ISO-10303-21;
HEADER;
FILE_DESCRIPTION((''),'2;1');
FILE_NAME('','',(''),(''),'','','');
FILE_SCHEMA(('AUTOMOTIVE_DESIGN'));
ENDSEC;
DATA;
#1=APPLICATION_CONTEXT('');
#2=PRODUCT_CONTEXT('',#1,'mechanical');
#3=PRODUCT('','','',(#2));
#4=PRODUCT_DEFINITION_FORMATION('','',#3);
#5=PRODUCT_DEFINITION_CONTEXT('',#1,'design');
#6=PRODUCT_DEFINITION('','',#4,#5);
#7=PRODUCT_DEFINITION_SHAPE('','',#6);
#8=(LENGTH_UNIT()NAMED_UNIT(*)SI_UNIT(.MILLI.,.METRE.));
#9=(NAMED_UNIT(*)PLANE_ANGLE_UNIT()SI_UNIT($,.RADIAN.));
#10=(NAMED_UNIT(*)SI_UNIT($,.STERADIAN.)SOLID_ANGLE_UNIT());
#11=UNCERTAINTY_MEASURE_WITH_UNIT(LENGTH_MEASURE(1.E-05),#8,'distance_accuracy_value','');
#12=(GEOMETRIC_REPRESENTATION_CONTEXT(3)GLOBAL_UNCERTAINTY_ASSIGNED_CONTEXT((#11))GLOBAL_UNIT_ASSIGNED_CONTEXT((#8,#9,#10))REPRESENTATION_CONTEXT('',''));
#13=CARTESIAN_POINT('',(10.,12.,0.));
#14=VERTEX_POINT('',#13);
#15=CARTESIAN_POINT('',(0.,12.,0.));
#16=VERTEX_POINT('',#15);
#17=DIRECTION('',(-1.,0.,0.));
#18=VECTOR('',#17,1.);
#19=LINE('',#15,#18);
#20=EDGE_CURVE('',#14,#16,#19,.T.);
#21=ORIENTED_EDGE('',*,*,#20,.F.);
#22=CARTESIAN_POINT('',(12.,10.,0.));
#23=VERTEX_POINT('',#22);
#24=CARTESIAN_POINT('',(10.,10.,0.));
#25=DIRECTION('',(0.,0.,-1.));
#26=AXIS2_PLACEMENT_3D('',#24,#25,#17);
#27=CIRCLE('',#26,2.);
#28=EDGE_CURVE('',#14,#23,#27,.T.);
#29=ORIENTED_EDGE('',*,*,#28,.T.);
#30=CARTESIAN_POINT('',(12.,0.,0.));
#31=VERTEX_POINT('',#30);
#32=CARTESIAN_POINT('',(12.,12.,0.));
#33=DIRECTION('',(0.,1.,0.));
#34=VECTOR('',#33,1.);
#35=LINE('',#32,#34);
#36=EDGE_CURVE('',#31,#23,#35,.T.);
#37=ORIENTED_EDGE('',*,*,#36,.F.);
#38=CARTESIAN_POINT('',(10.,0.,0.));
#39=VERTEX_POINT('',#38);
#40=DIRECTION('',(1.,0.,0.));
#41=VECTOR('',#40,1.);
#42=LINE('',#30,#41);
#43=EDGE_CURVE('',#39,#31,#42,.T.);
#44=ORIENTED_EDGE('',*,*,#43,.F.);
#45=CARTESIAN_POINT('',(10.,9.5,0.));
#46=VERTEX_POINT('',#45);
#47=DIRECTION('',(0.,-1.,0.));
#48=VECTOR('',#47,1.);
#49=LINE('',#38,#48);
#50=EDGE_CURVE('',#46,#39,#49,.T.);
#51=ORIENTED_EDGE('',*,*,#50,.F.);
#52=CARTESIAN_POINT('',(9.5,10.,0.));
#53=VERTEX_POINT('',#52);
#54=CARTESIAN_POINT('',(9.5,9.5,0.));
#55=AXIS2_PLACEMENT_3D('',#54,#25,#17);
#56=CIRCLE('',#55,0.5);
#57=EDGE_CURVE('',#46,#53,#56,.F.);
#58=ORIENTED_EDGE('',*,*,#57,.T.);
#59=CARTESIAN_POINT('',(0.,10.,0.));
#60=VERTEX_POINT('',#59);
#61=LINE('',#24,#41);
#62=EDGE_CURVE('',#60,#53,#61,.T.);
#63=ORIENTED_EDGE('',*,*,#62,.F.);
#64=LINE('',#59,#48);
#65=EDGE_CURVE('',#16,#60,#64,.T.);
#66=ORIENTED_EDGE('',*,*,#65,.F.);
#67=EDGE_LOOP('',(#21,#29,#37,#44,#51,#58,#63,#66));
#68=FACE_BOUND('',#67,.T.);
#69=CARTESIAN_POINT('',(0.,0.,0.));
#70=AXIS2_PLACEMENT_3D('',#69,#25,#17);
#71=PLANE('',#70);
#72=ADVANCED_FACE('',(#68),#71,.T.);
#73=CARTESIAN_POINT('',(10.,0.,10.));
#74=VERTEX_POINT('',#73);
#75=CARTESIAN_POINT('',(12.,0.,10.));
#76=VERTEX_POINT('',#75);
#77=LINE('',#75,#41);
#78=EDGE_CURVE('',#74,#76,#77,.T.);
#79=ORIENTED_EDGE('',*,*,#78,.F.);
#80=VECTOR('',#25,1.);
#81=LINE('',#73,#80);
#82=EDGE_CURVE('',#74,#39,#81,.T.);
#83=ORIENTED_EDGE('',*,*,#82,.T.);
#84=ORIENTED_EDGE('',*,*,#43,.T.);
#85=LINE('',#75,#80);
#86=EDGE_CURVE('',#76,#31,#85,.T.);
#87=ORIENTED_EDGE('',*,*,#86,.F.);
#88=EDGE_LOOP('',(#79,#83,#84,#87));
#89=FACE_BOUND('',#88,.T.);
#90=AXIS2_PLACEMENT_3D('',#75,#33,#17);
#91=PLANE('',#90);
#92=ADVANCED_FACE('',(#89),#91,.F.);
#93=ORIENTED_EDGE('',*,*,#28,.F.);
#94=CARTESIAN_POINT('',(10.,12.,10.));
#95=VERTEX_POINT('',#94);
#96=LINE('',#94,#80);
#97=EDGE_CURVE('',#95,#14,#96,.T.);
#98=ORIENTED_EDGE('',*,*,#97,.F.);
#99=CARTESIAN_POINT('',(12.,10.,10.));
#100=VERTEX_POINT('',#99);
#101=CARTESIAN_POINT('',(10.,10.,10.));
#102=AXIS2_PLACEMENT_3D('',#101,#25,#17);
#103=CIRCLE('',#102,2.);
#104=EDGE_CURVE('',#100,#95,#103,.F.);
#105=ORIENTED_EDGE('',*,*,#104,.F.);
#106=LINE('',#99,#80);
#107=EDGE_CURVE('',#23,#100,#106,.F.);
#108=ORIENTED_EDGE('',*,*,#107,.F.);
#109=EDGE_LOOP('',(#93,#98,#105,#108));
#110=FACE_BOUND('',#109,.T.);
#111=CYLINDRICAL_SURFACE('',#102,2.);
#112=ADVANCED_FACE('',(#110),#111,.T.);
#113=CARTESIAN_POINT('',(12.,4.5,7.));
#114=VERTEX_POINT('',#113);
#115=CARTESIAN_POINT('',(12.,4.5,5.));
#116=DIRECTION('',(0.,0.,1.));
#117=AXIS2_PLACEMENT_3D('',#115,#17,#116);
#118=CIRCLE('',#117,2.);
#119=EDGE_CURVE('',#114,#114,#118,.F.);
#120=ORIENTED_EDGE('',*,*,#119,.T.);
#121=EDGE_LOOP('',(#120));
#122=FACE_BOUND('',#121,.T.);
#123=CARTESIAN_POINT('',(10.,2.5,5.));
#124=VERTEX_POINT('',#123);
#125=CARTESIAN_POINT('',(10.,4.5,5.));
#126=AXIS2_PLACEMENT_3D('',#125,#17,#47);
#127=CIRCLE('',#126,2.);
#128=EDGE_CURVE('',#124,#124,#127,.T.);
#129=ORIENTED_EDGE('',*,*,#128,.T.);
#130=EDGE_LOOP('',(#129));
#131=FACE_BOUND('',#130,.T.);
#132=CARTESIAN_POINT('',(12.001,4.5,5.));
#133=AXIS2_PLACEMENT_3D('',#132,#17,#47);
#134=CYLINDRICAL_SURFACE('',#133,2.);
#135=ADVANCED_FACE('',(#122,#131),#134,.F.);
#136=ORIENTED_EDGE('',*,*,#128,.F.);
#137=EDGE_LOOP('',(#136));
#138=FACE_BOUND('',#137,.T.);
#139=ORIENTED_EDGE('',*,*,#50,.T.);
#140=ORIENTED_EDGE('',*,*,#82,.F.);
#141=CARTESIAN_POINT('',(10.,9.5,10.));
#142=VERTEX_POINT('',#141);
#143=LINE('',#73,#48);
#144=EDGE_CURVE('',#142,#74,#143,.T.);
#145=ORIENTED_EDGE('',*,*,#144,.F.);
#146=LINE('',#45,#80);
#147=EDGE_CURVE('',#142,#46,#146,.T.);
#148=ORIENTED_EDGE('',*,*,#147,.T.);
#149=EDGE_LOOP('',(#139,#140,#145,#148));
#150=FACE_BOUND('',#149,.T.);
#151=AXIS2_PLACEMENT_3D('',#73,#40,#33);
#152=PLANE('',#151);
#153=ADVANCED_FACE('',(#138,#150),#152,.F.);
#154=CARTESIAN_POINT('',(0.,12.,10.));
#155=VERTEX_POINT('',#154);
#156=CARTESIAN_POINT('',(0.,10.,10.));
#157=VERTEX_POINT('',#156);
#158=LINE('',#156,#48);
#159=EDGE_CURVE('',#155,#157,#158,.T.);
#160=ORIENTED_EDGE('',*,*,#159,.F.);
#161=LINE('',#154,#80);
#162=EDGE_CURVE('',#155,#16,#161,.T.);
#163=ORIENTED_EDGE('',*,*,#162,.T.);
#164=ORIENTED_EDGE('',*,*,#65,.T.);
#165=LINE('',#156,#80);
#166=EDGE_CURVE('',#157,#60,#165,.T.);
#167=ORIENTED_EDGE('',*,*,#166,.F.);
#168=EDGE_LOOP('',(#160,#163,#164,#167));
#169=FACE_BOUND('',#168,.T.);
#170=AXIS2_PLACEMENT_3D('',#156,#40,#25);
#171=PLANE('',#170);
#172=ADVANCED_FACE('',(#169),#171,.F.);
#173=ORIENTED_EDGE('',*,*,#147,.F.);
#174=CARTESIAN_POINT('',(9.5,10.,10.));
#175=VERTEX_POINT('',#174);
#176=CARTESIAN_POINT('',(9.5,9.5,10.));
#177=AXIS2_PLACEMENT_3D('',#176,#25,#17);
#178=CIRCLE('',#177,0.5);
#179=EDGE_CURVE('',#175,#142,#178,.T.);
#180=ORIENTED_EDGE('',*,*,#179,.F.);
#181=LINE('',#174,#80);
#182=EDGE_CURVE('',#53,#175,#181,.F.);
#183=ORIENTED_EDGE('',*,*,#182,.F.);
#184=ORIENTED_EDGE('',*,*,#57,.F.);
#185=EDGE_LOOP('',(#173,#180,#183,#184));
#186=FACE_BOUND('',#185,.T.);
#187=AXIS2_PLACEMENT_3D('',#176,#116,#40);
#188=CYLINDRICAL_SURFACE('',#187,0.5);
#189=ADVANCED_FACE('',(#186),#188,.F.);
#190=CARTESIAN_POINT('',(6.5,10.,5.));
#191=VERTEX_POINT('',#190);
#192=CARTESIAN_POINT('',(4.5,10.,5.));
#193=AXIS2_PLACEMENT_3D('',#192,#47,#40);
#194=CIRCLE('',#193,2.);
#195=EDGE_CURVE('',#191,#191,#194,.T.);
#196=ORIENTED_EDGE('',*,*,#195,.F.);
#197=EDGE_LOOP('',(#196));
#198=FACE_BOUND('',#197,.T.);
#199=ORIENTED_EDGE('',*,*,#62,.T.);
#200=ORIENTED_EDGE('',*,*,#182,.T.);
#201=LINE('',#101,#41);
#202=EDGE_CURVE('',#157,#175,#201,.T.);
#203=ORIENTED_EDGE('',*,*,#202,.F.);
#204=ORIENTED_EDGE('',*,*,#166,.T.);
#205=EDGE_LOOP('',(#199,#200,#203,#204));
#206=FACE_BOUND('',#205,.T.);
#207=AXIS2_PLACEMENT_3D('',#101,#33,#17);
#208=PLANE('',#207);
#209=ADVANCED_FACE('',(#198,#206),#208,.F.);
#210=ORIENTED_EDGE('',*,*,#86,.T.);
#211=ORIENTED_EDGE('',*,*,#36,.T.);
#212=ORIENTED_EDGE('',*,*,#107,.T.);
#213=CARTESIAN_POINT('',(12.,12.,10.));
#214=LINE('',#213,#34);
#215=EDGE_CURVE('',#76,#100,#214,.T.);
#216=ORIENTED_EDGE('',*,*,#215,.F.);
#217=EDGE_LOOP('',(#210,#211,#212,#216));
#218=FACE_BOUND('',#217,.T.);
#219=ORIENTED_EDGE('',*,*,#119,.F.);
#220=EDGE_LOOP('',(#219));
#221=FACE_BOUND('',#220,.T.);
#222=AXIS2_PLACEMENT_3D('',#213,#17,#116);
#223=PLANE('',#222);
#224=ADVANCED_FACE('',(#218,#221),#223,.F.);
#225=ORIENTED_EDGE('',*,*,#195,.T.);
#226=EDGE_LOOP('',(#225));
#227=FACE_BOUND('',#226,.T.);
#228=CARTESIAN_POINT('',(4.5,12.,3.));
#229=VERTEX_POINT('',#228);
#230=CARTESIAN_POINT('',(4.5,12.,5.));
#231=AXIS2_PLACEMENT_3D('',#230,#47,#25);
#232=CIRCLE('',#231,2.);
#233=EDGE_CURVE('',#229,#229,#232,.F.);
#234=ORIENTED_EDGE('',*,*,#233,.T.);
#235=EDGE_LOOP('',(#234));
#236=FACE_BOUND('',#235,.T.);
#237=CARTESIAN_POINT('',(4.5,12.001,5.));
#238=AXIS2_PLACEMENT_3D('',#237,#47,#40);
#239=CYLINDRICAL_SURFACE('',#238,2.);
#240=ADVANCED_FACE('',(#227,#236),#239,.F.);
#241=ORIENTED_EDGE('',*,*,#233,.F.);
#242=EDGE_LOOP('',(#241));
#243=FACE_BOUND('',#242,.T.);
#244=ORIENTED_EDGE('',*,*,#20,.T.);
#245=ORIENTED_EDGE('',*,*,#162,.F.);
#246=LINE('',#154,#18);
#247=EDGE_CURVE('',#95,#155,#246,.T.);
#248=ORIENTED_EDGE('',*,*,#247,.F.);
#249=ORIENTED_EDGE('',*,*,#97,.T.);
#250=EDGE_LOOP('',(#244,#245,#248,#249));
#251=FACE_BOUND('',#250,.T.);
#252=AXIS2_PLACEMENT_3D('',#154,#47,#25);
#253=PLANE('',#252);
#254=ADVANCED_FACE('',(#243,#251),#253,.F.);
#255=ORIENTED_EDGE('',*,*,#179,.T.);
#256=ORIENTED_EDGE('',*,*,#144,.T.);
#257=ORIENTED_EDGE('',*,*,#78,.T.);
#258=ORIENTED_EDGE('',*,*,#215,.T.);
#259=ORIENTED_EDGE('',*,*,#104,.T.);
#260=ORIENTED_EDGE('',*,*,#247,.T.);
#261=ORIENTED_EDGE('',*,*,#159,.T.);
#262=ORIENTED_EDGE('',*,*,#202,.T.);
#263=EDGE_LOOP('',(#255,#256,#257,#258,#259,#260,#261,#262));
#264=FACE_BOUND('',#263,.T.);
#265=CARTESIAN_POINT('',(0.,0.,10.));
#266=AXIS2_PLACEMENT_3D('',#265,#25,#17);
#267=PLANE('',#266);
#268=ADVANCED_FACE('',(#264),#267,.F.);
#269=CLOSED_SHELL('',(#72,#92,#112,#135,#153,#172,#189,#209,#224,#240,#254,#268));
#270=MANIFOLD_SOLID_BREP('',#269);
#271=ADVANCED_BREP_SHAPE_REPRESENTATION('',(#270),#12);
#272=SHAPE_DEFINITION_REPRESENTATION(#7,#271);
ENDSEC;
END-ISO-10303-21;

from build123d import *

# Parameters (mm, degrees)
BOSS_EXTRU_2_DEPTH      = 10
ENL_V_MAT_EXTRU_1_REACH = 20.547
ESQUISSE3_R             = 2
ENL_V_MAT_EXTRU_2_REACH = 20.547
ESQUISSE4_R             = 2
CONG_1_R                = 2
CONG_2_R                = 0.5


with BuildPart() as part:
    # Esquisse2 → Boss.-Extru.2 (new body)
    with BuildSketch(Plane.XY):
        Polygon((0, 12), (12, 12), (12, 0), (10, 0), (10, 10), (0, 10), align=None)
    extrude(amount=BOSS_EXTRU_2_DEPTH)

    # Esquisse3 → Enlèv. mat.-Extru.1 (cut, up to next)
    with BuildSketch(Plane.ZY.offset(-10), mode=Mode.PRIVATE) as enl_v_mat_extru_1_sk1:
        with Locations(Location((5, 4.5, 0), (0, 0, 270))):
            Circle(ESQUISSE3_R)
    enl_v_mat_extru_1_tool1 = extrude(enl_v_mat_extru_1_sk1.sketch, amount=-ENL_V_MAT_EXTRU_1_REACH, mode=Mode.PRIVATE) & part.part
    add(enl_v_mat_extru_1_tool1.solids().sort_by_distance((10, 4.5, 5))[0], mode=Mode.SUBTRACT)

    # Esquisse4 → Enlèv. mat.-Extru.2 (cut, up to next)
    with BuildSketch(Plane.XZ.offset(-10), mode=Mode.PRIVATE) as enl_v_mat_extru_2_sk1:
        with Locations((4.5, 5)):
            Circle(ESQUISSE4_R)
    enl_v_mat_extru_2_tool1 = extrude(enl_v_mat_extru_2_sk1.sketch, amount=-ENL_V_MAT_EXTRU_2_REACH, mode=Mode.PRIVATE) & part.part
    add(enl_v_mat_extru_2_tool1.solids().sort_by_distance((4.5, 10, 5))[0], mode=Mode.SUBTRACT)

    # Congé1
    cong_1_edges = [part.edges().sort_by_distance(p)[0] for p in [
        (12, 12, 5),
    ]]
    fillet(cong_1_edges, radius=CONG_1_R)

    # Congé2
    cong_2_edges = [part.edges().sort_by_distance(p)[0] for p in [
        (10, 10, 5),
    ]]
    fillet(cong_2_edges, radius=CONG_2_R)


solid = part.part
